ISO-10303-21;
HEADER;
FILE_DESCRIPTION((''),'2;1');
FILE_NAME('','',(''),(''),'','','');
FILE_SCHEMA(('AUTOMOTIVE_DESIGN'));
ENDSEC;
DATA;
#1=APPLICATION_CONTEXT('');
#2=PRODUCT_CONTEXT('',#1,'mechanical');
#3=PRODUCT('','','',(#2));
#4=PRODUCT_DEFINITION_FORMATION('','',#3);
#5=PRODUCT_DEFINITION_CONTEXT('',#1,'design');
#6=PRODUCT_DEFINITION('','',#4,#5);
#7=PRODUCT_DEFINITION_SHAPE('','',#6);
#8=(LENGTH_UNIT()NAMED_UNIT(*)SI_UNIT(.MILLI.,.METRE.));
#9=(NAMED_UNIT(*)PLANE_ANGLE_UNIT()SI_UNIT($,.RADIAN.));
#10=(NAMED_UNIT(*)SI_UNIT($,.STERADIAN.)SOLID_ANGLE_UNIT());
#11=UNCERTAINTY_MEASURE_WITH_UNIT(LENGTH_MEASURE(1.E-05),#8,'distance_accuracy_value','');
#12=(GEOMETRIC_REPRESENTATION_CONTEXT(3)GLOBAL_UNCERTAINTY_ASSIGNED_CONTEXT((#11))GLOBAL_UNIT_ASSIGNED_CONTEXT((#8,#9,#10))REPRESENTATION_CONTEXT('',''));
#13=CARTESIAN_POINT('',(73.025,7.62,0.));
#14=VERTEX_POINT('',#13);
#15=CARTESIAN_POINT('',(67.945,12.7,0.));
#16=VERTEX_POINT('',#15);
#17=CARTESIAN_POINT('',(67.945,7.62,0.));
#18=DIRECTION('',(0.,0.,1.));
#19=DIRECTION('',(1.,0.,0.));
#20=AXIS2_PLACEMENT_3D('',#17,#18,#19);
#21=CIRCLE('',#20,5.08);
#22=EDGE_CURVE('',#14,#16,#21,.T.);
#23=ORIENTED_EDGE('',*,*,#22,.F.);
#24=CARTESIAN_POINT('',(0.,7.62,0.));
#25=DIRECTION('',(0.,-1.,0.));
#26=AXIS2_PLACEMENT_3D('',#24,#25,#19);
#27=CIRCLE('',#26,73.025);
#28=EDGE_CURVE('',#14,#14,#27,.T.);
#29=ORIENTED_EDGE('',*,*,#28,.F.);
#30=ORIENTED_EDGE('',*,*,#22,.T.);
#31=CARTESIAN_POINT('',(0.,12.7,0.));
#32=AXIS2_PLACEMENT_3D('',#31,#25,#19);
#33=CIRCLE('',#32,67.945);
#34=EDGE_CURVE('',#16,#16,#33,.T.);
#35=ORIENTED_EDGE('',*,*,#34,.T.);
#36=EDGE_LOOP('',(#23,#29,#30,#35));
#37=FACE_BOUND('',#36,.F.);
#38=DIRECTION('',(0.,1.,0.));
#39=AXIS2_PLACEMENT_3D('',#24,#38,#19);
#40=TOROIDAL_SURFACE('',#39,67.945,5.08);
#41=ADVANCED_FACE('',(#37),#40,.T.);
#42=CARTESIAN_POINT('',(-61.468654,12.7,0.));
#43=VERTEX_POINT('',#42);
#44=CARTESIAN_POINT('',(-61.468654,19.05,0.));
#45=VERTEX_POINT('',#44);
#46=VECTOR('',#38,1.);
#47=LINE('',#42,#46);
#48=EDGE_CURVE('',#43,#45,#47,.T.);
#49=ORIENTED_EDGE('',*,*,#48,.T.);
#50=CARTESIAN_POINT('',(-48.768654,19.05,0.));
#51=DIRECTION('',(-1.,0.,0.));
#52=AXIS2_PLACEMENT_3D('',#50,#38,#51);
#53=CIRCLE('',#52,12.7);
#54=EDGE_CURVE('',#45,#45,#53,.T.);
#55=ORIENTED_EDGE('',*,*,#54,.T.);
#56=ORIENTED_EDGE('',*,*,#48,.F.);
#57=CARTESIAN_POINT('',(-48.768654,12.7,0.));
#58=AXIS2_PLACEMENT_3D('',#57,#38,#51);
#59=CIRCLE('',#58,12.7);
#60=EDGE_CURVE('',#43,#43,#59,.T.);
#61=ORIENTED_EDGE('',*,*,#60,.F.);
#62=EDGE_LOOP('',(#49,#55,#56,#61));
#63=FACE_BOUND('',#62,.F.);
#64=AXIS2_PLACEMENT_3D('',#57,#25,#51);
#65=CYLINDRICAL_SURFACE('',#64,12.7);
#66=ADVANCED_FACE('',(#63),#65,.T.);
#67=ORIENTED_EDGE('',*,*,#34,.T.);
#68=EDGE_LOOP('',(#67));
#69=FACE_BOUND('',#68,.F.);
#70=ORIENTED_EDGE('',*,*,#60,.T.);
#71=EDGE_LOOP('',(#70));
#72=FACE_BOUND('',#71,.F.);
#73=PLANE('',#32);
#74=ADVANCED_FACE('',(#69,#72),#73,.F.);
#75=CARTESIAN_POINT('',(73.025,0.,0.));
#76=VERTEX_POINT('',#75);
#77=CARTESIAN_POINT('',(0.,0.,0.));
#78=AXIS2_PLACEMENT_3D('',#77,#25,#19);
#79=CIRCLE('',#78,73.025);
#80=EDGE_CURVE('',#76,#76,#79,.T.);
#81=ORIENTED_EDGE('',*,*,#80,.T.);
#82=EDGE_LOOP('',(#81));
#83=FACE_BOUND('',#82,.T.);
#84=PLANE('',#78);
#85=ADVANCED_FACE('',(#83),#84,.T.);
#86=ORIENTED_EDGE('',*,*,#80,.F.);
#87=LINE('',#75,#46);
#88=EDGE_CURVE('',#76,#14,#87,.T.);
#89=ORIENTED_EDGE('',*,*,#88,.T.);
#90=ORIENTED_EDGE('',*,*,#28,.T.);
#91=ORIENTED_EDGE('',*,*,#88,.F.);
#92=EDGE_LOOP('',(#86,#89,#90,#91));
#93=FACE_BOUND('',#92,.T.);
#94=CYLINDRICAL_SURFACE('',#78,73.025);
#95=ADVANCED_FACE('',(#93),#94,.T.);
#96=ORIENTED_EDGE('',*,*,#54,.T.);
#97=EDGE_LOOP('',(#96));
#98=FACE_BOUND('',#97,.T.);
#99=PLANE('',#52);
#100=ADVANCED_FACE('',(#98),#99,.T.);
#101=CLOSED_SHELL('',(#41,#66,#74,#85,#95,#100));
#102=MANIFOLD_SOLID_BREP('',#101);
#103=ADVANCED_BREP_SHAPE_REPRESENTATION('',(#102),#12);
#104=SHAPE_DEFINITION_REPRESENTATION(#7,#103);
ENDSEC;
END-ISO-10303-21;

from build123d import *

# Parameters (mm, degrees)
F0_R     = 73.025
F1_DEPTH = 12.7
F2_R     = 5.08
F3_R     = 12.7
F4_DEPTH = 6.35


with BuildPart() as f1:
    # F0 (on Front) → F1 (new body)
    with BuildSketch(Plane.XZ):
        Circle(F0_R)
    extrude(amount=-F1_DEPTH)

    # F2
    f2_edges = [f1.edges().sort_by_distance(p)[0] for p in [
        (-73.025, 12.7, 0),
    ]]
    fillet(f2_edges, radius=F2_R)

    # F3 (on face) → F4 (join)
    with BuildSketch(Plane(origin=(0, 12.7, 0), x_dir=(-1, 0, 0), z_dir=(0, 1, 0))):
        with Locations((48.768654, 0)):
            Circle(F3_R)
    extrude(amount=F4_DEPTH)


solid = f1.part
